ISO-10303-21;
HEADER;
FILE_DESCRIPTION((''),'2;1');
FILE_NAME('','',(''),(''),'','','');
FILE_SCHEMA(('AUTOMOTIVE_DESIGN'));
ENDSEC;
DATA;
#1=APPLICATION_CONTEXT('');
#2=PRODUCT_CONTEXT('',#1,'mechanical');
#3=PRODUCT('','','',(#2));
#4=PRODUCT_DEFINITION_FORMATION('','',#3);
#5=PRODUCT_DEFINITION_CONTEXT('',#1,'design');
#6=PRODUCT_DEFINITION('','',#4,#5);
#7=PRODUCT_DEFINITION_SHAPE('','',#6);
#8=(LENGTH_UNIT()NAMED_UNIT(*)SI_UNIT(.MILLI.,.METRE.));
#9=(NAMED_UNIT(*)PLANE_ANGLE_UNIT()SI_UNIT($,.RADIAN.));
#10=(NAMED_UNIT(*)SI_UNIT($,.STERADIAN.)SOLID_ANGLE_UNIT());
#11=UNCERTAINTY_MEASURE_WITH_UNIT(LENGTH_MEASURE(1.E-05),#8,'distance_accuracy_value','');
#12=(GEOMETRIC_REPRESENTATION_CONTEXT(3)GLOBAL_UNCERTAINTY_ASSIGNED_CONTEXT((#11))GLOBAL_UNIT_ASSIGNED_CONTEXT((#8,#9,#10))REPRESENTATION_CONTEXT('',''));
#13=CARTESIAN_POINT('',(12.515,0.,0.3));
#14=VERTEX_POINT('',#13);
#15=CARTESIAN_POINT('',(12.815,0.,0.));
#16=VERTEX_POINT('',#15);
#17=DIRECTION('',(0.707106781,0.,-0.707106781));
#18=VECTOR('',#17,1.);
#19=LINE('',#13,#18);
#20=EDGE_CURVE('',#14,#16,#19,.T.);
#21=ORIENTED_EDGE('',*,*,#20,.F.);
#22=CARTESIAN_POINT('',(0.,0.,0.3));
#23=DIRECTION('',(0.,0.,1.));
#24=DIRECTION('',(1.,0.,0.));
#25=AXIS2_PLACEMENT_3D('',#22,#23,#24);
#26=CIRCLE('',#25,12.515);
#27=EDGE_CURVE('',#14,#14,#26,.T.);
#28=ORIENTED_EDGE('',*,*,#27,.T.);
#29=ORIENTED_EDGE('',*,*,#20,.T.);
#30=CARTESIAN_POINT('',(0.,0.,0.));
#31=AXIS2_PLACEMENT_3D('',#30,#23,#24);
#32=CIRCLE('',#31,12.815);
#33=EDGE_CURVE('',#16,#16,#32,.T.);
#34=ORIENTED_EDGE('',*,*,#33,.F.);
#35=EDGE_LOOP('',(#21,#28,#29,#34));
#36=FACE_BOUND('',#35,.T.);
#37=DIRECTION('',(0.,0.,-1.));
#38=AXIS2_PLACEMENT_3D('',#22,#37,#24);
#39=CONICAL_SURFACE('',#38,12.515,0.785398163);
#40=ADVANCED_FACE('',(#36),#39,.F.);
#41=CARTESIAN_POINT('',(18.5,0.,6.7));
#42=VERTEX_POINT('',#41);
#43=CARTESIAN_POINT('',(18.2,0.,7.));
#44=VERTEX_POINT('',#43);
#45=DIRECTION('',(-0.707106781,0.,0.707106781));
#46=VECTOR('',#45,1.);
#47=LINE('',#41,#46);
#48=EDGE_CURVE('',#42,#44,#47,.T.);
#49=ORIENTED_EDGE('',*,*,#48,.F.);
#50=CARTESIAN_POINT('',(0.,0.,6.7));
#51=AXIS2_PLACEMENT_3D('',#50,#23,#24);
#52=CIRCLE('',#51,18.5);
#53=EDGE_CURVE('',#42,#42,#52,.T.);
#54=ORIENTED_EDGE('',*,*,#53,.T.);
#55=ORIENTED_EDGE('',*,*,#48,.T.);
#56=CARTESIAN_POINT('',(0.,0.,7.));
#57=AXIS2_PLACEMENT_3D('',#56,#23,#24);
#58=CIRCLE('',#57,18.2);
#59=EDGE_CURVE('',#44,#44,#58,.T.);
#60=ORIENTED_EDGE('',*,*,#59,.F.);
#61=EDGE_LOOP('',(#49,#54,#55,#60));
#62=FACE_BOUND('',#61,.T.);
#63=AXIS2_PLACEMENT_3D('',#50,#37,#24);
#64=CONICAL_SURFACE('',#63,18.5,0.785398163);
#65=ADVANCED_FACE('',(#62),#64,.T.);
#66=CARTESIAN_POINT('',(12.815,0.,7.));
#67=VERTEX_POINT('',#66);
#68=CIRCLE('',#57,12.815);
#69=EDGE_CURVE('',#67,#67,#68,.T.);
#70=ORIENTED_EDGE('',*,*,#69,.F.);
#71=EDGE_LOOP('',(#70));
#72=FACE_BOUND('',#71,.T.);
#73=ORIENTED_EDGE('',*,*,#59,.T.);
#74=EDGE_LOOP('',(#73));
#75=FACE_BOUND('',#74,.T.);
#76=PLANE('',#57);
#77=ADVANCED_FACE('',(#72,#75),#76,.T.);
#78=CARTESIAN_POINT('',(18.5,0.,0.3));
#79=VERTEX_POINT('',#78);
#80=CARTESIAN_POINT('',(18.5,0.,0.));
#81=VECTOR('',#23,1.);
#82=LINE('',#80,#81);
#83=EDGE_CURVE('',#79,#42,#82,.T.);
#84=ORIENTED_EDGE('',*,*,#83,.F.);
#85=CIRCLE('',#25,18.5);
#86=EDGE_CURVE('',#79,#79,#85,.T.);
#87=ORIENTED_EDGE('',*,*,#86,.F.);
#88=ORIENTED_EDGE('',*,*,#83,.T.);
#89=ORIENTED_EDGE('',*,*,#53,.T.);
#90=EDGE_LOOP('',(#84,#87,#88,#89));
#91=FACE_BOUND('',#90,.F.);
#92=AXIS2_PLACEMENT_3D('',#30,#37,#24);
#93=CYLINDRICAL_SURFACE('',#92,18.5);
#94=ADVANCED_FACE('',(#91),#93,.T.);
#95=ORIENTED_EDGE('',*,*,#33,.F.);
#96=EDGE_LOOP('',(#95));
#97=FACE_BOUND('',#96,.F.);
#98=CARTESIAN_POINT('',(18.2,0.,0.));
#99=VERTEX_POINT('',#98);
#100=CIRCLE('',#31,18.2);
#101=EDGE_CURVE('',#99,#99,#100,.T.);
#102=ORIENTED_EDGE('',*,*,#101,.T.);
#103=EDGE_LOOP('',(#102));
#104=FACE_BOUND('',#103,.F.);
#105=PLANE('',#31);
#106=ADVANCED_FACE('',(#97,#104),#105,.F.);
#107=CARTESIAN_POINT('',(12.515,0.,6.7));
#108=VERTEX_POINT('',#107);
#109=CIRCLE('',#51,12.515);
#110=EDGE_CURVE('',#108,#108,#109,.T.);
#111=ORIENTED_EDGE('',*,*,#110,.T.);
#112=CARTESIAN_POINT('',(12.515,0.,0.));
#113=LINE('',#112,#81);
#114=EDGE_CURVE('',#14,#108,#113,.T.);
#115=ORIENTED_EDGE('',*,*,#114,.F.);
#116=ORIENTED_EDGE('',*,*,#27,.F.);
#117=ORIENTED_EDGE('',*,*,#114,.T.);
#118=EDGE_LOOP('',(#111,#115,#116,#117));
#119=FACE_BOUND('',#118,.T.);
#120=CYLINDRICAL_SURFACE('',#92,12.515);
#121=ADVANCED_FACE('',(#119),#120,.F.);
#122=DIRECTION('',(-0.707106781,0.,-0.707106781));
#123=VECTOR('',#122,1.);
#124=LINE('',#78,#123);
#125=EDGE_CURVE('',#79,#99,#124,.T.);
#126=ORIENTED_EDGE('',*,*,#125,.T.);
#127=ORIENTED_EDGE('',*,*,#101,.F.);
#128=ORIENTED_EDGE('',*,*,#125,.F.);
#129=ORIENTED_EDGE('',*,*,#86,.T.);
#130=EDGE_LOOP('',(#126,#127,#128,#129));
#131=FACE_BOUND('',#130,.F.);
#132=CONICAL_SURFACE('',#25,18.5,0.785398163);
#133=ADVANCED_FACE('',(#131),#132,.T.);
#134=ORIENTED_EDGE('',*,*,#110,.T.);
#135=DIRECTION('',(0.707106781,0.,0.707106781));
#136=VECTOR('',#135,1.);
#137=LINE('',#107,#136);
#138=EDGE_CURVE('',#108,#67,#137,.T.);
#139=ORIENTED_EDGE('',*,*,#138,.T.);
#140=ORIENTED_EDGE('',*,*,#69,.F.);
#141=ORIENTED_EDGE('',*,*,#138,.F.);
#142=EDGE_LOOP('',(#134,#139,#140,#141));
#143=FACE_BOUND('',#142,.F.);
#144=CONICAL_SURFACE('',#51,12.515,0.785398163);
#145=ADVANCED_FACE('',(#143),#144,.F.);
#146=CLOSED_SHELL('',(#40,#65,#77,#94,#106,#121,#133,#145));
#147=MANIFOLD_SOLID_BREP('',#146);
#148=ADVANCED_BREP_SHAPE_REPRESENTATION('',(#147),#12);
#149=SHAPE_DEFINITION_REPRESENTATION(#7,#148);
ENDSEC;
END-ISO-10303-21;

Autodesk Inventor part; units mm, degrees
ref_plane "YZ Plane" through (0, 0, 0) normal (1, 0, 0) x (0, 1, 0)
ref_plane "XZ Plane" through (0, 0, 0) normal (0, 1, 0) x (-1, 0, 0)
ref_plane "XY Plane" through (0, 0, 0) normal (0, 0, 1) x (1, 0, 0)
sketch "草圖1" plane through (0, 0, 0) normal (0, 0, 1) x (1, 0, 0)
  circle A0 centre (0, 0) radius 18.5
  circle A1 centre (0, 0) radius 12.515
  dimension "d0" = 37
  dimension "d1" = 25.03
extrude "擠出1" add sketch "草圖1" along normal blind 7
chamfer "倒角1" distance 0.3 angle 45 4 edges at (-18.5, 0, 7) (-18.5, 0, 0) (-12.515, 0, 0) (-12.515, 0, 7)
properties part number "KE-SP-13"
